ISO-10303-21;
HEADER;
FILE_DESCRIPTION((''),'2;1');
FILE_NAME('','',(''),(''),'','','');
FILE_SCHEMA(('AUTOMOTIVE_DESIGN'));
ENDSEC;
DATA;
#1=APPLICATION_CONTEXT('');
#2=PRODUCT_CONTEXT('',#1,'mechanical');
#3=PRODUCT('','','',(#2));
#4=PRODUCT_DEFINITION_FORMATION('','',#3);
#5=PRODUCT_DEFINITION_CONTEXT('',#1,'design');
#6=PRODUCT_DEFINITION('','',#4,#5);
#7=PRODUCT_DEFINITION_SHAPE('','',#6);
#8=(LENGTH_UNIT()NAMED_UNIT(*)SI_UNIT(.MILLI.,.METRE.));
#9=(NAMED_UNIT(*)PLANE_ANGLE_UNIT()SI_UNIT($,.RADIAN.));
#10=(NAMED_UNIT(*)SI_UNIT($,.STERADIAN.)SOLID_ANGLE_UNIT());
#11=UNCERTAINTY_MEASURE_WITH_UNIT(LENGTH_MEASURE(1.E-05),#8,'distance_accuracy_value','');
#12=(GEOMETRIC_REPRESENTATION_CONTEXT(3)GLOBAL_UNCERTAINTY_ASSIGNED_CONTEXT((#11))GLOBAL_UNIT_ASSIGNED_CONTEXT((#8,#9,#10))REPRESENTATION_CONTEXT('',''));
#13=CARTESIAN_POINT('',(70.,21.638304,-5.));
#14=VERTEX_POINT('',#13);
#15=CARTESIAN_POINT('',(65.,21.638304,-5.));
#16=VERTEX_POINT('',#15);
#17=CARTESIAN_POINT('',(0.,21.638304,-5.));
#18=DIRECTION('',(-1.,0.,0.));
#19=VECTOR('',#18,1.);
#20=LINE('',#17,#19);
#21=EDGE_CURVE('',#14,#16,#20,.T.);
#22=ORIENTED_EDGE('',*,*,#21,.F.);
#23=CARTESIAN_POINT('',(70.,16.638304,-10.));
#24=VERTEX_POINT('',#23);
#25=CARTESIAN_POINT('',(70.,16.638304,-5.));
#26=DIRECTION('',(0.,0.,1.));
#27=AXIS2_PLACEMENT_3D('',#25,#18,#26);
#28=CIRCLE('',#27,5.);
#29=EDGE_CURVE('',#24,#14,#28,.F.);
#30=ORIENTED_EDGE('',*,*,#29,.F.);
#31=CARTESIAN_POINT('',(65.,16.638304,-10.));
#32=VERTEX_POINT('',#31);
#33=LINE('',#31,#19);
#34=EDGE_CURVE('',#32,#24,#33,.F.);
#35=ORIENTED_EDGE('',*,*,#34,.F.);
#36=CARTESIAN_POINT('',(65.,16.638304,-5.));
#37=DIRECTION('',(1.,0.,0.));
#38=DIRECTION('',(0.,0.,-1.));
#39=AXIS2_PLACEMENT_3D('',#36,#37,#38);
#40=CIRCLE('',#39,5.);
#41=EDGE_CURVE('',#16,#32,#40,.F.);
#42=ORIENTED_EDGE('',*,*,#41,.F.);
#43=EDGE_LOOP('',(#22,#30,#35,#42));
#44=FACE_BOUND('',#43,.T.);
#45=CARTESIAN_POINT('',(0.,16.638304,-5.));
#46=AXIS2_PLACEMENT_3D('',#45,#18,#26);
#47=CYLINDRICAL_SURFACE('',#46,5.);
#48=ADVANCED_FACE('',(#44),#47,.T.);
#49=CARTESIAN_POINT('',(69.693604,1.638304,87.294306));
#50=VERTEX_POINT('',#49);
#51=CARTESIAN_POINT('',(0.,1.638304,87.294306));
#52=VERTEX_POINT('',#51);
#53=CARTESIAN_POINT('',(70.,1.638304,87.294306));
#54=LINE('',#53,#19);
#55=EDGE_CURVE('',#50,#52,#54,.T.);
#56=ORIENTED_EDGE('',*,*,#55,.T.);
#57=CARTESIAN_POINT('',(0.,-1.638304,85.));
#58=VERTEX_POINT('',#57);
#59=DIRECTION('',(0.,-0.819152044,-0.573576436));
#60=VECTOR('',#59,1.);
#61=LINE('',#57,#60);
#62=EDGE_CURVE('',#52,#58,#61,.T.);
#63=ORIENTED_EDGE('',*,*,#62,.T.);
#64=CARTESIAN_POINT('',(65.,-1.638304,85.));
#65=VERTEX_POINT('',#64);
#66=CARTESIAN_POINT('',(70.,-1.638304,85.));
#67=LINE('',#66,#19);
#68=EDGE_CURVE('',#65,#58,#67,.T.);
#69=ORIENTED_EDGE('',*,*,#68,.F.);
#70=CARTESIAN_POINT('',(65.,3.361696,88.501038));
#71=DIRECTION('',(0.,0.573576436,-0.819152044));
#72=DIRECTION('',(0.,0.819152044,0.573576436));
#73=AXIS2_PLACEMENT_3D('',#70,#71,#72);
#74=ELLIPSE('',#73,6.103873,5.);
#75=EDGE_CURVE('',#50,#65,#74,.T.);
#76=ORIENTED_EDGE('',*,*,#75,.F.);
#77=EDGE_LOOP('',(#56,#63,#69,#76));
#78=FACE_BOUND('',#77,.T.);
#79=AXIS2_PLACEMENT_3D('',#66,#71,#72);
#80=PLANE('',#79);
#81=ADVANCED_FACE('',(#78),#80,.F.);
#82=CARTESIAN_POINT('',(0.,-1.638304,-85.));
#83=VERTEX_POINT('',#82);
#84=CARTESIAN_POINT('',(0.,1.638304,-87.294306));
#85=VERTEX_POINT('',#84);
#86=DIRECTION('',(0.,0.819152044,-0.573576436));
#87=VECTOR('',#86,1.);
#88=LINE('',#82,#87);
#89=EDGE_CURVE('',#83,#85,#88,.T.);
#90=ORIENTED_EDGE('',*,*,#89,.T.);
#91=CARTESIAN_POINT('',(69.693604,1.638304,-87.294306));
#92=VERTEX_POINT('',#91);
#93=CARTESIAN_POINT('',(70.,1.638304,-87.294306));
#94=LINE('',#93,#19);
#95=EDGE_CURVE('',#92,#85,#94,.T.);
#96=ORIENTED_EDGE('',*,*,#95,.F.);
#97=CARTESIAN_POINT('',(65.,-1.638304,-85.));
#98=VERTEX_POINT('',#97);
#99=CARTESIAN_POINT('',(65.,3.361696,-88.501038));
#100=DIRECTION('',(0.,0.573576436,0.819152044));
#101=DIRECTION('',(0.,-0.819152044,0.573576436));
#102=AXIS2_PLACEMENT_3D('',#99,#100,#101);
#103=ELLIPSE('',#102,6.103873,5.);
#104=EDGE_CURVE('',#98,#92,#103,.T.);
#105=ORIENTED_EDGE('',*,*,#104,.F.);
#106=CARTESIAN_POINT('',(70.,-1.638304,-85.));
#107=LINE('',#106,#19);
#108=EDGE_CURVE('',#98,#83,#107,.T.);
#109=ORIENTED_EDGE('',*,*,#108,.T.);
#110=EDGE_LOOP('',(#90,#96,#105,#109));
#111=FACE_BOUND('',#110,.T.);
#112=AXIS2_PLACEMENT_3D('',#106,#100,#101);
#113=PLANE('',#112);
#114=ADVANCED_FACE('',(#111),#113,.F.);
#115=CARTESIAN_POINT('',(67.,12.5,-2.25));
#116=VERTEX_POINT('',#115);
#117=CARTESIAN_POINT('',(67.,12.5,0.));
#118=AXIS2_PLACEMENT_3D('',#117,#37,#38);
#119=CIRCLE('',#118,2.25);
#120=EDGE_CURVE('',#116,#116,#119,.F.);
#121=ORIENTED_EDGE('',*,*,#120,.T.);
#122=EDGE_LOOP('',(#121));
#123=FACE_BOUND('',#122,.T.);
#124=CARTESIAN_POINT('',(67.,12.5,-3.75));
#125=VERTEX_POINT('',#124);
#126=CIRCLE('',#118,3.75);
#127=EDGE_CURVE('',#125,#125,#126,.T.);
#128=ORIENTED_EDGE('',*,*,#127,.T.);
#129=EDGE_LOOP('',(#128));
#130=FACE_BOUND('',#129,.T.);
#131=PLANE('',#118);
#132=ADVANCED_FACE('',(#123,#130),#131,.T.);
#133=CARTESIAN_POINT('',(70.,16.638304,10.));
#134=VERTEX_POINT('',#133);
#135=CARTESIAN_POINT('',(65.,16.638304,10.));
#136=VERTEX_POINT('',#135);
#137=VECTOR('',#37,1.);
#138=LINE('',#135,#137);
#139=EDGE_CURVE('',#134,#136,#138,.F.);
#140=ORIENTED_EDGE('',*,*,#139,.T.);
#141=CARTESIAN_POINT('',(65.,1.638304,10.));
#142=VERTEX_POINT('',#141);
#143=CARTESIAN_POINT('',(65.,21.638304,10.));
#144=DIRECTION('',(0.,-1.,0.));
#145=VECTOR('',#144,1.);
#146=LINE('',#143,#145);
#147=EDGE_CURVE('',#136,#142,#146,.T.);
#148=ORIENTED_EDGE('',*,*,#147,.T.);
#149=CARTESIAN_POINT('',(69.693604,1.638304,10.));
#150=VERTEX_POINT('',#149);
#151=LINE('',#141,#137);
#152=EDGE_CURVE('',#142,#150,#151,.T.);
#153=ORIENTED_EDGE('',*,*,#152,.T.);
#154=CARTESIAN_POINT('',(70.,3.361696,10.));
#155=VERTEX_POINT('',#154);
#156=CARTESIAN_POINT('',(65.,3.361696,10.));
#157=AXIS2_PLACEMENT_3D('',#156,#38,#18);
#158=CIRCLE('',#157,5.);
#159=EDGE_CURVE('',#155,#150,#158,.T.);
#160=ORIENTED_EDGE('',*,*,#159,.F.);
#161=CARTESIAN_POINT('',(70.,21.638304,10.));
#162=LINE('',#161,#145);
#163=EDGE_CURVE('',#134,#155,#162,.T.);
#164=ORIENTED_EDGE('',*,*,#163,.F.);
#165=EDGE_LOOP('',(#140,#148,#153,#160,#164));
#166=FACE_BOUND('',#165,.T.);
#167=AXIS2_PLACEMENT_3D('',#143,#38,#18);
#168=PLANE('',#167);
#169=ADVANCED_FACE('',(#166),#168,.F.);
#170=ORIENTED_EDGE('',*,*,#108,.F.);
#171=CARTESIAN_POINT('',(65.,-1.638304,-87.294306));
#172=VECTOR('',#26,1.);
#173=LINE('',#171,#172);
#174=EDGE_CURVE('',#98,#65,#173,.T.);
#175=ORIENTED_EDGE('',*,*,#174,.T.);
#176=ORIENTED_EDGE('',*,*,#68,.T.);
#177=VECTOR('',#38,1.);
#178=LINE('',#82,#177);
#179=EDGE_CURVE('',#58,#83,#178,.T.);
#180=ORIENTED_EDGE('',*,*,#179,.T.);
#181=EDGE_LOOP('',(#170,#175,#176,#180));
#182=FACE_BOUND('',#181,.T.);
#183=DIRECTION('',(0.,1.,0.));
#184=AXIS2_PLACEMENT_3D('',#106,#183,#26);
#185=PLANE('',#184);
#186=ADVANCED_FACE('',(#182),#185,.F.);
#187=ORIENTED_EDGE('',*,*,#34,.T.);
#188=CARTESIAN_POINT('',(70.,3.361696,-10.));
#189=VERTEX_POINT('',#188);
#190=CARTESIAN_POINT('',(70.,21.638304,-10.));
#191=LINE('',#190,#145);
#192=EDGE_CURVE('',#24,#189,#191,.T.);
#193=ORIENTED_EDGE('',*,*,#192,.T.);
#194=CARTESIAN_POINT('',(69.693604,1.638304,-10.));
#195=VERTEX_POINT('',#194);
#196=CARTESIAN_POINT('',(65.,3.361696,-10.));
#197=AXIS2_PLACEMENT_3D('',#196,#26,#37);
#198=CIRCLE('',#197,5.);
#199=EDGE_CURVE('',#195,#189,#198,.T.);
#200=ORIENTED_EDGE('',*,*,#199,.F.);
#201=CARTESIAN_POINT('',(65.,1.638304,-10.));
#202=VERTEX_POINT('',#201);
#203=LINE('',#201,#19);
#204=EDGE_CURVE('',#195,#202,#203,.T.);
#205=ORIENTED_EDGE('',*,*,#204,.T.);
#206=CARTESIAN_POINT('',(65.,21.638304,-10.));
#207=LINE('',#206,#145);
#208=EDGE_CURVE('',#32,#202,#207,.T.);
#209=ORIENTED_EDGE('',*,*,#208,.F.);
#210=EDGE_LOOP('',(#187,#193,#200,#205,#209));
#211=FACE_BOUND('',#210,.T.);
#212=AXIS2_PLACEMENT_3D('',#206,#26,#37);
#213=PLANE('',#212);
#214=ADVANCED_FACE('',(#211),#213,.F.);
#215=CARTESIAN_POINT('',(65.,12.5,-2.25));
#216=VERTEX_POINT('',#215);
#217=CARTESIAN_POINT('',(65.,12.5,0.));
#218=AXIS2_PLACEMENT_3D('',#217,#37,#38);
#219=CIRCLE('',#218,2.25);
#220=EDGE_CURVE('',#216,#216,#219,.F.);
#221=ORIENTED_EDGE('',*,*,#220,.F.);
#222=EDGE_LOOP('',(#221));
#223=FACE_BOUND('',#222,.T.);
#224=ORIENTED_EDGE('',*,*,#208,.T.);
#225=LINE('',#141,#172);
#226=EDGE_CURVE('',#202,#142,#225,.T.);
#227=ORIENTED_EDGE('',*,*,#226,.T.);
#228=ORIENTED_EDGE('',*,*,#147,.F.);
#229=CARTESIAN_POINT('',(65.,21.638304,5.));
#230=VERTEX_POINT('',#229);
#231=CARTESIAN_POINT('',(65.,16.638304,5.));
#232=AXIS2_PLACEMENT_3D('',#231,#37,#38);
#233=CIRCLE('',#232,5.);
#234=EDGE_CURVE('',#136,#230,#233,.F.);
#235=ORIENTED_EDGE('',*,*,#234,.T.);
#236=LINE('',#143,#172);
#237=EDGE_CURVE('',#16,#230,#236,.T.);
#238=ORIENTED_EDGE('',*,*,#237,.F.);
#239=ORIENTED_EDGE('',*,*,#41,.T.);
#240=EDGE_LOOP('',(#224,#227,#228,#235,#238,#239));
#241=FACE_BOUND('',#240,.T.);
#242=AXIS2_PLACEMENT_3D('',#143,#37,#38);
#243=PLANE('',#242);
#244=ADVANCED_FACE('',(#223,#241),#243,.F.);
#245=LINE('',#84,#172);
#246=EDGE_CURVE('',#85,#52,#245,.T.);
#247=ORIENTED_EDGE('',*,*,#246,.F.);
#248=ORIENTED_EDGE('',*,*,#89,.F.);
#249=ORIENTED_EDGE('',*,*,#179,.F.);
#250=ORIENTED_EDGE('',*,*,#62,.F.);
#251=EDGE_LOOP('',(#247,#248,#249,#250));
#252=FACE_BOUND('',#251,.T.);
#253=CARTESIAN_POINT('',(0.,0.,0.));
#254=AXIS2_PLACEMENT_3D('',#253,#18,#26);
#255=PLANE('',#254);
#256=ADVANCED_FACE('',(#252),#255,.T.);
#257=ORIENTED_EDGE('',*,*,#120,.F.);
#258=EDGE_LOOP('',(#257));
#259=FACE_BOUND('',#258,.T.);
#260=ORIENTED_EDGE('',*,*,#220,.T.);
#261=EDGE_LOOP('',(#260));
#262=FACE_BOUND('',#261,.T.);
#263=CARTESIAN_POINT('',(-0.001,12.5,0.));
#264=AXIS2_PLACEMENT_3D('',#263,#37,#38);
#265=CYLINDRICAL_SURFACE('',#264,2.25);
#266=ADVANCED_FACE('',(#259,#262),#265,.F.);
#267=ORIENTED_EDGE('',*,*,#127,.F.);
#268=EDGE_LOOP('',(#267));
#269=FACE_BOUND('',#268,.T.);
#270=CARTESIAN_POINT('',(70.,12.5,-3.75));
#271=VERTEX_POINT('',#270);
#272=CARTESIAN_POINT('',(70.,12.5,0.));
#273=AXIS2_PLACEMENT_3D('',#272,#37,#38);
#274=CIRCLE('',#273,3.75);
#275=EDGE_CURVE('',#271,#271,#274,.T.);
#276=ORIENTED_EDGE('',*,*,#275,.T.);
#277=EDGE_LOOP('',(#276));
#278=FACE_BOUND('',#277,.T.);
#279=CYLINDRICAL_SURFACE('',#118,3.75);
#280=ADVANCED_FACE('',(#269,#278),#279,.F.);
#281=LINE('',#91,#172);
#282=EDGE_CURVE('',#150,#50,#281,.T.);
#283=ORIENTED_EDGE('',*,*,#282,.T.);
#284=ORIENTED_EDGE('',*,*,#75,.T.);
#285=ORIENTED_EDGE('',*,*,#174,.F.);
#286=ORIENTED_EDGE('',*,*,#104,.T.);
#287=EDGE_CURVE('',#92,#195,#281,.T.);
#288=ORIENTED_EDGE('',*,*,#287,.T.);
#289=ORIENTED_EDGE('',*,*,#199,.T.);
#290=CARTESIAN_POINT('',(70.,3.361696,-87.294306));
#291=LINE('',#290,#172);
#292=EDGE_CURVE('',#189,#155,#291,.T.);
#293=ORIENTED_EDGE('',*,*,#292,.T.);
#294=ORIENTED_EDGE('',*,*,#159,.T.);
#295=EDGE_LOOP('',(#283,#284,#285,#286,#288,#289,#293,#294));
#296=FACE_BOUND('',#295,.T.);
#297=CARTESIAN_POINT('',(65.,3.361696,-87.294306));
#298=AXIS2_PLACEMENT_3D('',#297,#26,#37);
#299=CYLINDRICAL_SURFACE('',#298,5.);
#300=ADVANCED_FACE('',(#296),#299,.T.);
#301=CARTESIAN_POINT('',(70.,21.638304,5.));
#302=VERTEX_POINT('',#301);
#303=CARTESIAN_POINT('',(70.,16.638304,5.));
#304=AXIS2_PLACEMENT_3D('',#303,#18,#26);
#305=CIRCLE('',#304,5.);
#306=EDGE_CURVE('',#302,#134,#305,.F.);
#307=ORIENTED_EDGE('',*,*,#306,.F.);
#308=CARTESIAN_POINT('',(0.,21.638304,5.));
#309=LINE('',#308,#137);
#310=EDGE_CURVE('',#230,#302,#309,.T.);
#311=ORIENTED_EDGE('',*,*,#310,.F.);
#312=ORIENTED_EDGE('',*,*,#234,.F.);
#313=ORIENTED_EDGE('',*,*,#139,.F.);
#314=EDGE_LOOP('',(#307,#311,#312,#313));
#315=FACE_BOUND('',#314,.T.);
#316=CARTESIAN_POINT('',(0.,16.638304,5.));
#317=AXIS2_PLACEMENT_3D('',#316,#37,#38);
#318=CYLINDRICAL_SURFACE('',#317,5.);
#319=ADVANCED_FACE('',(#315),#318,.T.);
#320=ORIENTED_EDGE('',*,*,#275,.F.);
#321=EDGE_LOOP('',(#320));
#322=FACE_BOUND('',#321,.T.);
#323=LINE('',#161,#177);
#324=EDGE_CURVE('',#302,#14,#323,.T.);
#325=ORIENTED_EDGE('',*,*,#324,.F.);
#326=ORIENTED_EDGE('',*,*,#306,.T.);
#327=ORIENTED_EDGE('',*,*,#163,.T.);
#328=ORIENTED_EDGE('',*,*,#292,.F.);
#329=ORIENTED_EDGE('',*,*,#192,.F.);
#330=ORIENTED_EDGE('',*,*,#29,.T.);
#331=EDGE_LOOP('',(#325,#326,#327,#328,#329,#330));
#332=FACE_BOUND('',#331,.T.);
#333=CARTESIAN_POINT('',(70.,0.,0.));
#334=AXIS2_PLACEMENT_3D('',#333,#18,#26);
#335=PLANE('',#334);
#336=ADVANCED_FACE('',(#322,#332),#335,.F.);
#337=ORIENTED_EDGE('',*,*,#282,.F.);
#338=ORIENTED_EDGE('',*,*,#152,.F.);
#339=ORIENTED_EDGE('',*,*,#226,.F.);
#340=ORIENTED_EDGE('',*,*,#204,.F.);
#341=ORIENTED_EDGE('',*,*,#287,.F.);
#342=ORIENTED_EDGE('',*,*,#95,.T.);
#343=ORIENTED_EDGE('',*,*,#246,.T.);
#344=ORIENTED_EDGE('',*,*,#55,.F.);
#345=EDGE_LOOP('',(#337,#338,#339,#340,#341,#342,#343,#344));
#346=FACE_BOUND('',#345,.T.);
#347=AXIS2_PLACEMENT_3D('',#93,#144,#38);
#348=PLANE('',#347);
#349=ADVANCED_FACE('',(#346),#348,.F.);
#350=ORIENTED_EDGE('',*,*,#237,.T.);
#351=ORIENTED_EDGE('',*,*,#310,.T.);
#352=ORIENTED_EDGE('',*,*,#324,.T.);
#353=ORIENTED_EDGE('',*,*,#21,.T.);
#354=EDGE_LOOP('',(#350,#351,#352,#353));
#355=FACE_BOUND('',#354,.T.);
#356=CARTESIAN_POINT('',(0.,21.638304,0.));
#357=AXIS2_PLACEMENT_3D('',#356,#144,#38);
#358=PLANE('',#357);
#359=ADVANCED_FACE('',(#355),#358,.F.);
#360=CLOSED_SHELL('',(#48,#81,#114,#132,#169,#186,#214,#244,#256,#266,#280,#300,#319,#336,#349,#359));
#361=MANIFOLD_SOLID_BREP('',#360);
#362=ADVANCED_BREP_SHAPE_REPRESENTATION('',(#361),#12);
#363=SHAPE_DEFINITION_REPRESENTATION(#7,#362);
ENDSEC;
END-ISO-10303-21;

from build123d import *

# Parameters (mm, degrees)
BOSS_EXTRUDE1_DEPTH     = 70
SKETCH3_W               = 5
SKETCH3_H               = 20
BOSS_EXTRUDE2_DEPTH     = 20
CUT_EXTRUDE2_DEPTH      = 114.967153248
CUT_EXTRUDE2_DEPTH_BACK = 114.967153248
CUT_EXTRUDE3_REACH      = 115.967
SKETCH5_R               = 2.25
SKETCH7_R               = 3.75
CUT_EXTRUDE4_DEPTH      = 3
FILLET1_R               = 5


with BuildPart() as part:
    # Sketch1 → Boss-Extrude1 (new body)
    with BuildSketch(Plane.YZ):
        Polygon((-1.638304089, 85), (1.638304089, 87.294305745), (1.638304089, -87.294305745), (-1.638304089, -85), align=None)
    extrude(amount=BOSS_EXTRUDE1_DEPTH)

    # Sketch3 → Boss-Extrude2 (add)
    with BuildSketch(Plane(origin=(0, 1.638304089, 0), x_dir=(-1, 0, 0), z_dir=(0, 1, 0))):
        with Locations((-67.5, 0)):
            Rectangle(SKETCH3_W, SKETCH3_H)
    extrude(amount=BOSS_EXTRUDE2_DEPTH)

    # Sketch4 → Cut-Extrude2 (cut, two sides: drawn at the far end of the back side and taken through both)
    with BuildSketch(Plane(origin=(0, 0, 0), x_dir=(0, 1, 0), z_dir=(0, 0, 1)).offset(-CUT_EXTRUDE2_DEPTH_BACK)):
        with BuildLine():
            ThreePointArc((-1.638304089, -65), (-0.173837995, -68.535533906), (3.361695911, -70))
            Line((3.361695911, -70), (-1.638304089, -70))
            Line((-1.638304089, -70), (-1.638304089, -65))
        make_face()
    extrude(amount=CUT_EXTRUDE2_DEPTH + CUT_EXTRUDE2_DEPTH_BACK, mode=Mode.SUBTRACT)

    # Sketch5 → Cut-Extrude3 (cut, up to next)
    with BuildSketch(Plane.YZ.offset(70), mode=Mode.PRIVATE) as cut_extrude3_sk1:
        with Locations(Location((12.5, 0, 0), (0, 0, 270))):
            Circle(SKETCH5_R)
    cut_extrude3_tool1 = extrude(cut_extrude3_sk1.sketch, amount=-CUT_EXTRUDE3_REACH, mode=Mode.PRIVATE) & part.part
    add(cut_extrude3_tool1.solids().sort_by_distance((70, 12.5, 0))[0], mode=Mode.SUBTRACT)

    # Sketch7 → Cut-Extrude4 (cut)
    with BuildSketch(Plane.YZ.offset(70)):
        with Locations(Location((12.5, 0, 0), (0, 0, 270))):
            Circle(SKETCH7_R)
    extrude(amount=-CUT_EXTRUDE4_DEPTH, mode=Mode.SUBTRACT)

    # Fillet1
    fillet1_edges = [part.edges().sort_by_distance(p)[0] for p in [
        (67.5, 21.638304089, 10),
        (67.5, 21.638304089, -10),
    ]]
    fillet(fillet1_edges, radius=FILLET1_R)


solid = part.part
